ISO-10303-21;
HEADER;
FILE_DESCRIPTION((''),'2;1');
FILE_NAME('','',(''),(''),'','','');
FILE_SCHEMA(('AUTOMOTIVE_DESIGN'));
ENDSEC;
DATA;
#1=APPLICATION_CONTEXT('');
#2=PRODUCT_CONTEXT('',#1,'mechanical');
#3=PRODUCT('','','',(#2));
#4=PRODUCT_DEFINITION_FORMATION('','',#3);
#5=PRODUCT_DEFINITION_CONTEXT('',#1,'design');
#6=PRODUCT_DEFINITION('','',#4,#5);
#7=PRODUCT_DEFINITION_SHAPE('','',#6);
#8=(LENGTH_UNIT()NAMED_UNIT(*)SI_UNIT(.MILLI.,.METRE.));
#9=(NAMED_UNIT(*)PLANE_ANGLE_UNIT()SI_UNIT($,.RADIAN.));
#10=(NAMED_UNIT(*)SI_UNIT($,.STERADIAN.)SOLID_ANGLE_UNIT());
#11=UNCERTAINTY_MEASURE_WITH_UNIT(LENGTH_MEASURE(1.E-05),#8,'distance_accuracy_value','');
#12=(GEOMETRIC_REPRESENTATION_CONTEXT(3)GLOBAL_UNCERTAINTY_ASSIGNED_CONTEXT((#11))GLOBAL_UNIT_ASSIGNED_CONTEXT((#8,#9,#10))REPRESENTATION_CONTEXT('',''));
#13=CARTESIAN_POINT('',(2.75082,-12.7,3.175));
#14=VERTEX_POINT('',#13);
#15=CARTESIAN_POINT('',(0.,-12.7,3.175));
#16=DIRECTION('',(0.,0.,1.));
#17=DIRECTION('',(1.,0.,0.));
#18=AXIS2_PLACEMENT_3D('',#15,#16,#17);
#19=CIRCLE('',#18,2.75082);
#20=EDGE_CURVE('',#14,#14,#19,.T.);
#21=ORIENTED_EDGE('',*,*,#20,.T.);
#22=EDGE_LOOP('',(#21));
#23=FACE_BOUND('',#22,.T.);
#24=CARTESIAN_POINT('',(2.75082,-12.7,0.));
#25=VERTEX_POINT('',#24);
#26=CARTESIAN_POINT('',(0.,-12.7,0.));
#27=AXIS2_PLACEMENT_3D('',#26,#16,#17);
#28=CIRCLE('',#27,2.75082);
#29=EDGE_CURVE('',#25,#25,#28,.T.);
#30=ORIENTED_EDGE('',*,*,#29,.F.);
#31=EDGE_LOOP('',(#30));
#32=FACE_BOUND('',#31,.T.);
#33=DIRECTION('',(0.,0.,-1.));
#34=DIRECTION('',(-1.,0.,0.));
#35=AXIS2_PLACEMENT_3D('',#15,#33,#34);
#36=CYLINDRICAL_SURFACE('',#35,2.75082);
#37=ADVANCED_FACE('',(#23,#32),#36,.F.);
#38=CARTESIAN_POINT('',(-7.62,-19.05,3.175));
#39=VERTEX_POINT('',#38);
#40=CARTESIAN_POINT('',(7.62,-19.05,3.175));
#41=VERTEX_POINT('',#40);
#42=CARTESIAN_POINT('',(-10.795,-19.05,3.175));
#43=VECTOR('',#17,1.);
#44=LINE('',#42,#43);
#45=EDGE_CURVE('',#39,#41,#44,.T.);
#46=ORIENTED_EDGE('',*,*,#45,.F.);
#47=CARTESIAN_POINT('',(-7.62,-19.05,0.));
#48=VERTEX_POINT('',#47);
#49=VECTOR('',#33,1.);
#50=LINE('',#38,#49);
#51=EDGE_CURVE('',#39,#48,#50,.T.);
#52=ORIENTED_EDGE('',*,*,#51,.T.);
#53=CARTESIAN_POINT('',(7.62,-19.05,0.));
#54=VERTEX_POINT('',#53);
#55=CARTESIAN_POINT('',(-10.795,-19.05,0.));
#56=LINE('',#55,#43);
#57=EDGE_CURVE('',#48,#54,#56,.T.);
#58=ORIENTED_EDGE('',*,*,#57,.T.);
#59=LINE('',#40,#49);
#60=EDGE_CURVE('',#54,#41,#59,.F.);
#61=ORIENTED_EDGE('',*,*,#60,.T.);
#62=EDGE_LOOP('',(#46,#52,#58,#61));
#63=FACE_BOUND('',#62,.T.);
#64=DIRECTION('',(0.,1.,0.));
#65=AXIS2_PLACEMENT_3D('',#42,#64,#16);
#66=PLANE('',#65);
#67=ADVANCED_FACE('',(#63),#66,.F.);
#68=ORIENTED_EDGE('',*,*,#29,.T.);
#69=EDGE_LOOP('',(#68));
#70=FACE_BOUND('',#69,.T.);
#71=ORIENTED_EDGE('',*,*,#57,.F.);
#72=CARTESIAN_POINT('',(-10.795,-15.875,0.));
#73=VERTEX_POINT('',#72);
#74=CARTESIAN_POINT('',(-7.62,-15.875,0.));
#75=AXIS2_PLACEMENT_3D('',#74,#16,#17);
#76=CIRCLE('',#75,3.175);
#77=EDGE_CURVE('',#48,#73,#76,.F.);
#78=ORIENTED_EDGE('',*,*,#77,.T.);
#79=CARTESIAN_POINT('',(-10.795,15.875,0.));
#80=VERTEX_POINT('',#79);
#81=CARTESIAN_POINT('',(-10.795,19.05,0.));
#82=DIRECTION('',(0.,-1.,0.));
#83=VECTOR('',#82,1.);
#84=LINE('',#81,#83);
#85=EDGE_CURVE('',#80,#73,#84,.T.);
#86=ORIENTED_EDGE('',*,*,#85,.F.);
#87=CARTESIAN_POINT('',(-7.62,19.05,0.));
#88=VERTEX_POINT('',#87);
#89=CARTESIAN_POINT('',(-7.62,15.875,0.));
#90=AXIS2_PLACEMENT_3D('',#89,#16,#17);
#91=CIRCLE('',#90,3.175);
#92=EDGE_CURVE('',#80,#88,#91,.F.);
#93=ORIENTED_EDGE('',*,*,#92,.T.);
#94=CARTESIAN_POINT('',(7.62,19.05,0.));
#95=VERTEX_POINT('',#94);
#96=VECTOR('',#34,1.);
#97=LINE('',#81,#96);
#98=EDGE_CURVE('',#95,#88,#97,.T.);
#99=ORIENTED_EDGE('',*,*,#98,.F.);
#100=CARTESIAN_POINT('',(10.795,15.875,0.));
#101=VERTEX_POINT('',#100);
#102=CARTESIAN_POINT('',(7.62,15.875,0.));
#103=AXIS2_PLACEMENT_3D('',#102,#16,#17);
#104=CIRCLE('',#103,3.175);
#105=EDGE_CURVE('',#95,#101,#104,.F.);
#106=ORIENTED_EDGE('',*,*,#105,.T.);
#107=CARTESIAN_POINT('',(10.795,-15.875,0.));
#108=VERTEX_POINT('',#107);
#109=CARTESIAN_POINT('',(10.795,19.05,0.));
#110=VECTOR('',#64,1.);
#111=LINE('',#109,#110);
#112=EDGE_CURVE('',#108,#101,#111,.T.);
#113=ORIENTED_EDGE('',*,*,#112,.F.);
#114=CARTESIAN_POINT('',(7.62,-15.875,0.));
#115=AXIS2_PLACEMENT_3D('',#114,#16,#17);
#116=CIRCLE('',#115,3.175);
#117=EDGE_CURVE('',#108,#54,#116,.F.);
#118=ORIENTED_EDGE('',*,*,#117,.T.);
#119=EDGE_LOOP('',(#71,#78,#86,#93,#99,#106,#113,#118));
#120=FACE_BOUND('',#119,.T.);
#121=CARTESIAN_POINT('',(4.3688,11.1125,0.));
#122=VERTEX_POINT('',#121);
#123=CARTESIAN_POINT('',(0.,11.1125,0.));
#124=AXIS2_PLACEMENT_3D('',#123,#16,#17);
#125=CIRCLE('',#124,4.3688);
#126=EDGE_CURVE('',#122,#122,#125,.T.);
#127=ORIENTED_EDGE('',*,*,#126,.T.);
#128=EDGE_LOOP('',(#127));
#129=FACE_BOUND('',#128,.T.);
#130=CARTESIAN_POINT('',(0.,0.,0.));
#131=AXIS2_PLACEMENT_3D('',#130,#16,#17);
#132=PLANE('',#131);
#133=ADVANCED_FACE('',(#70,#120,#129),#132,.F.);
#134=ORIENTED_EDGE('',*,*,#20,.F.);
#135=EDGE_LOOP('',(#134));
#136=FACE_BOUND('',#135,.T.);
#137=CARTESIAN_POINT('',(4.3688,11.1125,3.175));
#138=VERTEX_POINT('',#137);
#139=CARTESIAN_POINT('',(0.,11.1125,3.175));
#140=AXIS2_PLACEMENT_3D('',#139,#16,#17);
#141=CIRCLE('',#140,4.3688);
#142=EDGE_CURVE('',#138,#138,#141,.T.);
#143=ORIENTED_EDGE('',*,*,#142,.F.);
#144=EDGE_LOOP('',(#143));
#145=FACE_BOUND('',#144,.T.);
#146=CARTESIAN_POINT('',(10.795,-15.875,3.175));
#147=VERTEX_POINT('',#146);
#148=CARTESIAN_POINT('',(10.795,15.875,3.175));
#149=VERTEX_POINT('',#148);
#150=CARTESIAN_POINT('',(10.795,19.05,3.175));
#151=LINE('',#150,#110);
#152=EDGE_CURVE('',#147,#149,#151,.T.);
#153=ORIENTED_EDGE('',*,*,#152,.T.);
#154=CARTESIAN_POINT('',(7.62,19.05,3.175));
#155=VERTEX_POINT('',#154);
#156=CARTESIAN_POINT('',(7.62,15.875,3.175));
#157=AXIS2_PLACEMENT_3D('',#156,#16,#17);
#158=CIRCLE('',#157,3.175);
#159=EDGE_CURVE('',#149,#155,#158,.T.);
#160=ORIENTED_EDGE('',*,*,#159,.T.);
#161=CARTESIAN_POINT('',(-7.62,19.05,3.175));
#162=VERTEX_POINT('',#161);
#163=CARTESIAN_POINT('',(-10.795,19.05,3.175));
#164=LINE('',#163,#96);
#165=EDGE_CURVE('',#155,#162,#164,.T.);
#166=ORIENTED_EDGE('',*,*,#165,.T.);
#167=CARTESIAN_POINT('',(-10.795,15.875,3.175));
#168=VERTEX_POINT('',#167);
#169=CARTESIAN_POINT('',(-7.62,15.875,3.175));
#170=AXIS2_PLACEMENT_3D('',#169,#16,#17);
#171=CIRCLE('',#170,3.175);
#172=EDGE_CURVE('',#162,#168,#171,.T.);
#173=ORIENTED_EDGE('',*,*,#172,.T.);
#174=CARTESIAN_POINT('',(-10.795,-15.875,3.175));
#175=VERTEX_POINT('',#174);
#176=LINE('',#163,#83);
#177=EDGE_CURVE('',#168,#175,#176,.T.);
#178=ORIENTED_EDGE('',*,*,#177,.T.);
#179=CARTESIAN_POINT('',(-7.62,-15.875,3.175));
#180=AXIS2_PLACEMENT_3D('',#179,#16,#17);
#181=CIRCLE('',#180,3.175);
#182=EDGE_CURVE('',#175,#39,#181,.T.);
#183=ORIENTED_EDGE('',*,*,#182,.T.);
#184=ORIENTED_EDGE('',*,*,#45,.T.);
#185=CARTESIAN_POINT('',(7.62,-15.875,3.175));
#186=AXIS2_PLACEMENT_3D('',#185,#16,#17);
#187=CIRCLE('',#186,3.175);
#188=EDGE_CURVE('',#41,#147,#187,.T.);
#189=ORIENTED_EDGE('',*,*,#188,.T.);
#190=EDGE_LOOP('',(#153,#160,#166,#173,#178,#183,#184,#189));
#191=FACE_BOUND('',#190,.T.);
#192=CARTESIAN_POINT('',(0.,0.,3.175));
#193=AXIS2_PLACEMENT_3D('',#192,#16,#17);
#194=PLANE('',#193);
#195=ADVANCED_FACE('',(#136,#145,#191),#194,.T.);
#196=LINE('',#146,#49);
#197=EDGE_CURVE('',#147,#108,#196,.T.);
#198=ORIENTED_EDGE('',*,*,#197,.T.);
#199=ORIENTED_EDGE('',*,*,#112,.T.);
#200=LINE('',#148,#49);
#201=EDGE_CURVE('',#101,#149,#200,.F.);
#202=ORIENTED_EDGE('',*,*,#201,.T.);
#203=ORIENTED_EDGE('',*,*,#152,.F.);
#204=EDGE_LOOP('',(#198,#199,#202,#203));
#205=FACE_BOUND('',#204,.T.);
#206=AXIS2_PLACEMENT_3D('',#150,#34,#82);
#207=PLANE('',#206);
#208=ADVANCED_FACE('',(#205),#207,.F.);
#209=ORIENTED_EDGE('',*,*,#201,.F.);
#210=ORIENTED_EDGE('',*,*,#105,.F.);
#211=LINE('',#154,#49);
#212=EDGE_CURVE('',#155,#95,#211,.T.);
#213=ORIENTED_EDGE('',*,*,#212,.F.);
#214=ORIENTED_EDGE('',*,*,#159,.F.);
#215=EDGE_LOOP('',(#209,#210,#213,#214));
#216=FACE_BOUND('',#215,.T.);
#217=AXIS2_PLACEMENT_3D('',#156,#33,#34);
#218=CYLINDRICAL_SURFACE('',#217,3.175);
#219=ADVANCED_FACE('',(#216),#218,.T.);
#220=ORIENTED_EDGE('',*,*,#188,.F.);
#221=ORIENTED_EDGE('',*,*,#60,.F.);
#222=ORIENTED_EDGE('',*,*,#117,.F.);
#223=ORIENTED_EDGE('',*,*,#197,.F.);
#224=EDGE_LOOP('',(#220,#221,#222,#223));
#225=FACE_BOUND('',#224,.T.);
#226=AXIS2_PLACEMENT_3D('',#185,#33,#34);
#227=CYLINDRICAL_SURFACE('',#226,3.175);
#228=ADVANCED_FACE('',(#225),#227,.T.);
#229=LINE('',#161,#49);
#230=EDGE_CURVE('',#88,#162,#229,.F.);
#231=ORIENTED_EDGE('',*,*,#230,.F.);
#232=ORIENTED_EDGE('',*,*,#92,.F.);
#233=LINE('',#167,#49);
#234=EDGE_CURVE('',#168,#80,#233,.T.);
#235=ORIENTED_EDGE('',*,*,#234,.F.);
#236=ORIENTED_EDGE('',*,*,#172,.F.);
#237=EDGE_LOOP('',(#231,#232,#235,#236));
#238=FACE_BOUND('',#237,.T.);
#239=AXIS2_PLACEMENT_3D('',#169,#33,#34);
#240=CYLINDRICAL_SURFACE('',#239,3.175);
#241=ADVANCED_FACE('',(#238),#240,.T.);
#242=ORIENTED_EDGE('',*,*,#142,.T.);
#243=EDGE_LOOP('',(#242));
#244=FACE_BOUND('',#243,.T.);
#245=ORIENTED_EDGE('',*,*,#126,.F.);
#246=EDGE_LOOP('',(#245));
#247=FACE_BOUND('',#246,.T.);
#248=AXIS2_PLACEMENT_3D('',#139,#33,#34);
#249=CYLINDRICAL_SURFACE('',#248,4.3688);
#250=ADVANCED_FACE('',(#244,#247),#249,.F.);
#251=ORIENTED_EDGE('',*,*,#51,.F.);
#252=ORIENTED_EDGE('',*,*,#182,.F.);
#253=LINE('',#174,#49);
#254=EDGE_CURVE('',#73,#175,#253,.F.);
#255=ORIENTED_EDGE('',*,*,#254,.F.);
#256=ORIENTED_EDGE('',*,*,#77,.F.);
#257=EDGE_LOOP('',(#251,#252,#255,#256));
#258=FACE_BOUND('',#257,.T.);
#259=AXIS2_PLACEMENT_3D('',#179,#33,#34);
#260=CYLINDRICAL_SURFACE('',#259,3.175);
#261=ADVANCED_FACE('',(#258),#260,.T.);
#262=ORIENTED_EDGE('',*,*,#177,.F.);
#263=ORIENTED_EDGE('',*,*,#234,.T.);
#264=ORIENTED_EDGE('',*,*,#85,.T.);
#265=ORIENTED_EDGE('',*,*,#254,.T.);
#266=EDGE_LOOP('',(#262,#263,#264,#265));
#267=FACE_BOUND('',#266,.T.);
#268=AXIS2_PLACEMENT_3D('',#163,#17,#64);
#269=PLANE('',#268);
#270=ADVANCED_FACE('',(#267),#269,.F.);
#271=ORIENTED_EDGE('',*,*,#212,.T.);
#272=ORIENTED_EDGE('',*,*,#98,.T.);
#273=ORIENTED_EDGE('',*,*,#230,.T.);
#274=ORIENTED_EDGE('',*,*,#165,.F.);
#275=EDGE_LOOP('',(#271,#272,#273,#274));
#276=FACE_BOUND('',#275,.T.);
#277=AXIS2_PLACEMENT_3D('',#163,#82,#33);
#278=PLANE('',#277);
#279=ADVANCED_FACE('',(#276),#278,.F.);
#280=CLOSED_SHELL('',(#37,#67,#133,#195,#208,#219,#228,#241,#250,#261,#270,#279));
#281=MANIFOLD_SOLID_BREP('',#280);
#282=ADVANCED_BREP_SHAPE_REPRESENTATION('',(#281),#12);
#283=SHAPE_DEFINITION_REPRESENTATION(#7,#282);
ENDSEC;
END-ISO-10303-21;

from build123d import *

# Parameters (mm, degrees)
SKETCH1_W           = 21.59
SKETCH1_H           = 38.1
SKETCH1_R           = 4.3688
SKETCH1_R_2         = 2.75082
BOSS_EXTRUDE1_DEPTH = 3.175
FILLET1_R           = 3.175


with BuildPart() as part:
    # Sketch1 → Boss-Extrude1 (new body)
    with BuildSketch(Plane.XY):
        Rectangle(SKETCH1_W, SKETCH1_H)
        with Locations((0, 11.1125)):
            Circle(SKETCH1_R, mode=Mode.SUBTRACT)
        with Locations((0, -12.7)):
            Circle(SKETCH1_R_2, mode=Mode.SUBTRACT)
    extrude(amount=BOSS_EXTRUDE1_DEPTH)

    # Fillet1
    fillet1_edges = [part.edges().sort_by_distance(p)[0] for p in [
        (10.795, -19.05, 1.5875),
        (-10.795, -19.05, 1.5875),
        (-10.795, 19.05, 1.5875),
        (10.795, 19.05, 1.5875),
    ]]
    fillet(fillet1_edges, radius=FILLET1_R)


solid = part.part
